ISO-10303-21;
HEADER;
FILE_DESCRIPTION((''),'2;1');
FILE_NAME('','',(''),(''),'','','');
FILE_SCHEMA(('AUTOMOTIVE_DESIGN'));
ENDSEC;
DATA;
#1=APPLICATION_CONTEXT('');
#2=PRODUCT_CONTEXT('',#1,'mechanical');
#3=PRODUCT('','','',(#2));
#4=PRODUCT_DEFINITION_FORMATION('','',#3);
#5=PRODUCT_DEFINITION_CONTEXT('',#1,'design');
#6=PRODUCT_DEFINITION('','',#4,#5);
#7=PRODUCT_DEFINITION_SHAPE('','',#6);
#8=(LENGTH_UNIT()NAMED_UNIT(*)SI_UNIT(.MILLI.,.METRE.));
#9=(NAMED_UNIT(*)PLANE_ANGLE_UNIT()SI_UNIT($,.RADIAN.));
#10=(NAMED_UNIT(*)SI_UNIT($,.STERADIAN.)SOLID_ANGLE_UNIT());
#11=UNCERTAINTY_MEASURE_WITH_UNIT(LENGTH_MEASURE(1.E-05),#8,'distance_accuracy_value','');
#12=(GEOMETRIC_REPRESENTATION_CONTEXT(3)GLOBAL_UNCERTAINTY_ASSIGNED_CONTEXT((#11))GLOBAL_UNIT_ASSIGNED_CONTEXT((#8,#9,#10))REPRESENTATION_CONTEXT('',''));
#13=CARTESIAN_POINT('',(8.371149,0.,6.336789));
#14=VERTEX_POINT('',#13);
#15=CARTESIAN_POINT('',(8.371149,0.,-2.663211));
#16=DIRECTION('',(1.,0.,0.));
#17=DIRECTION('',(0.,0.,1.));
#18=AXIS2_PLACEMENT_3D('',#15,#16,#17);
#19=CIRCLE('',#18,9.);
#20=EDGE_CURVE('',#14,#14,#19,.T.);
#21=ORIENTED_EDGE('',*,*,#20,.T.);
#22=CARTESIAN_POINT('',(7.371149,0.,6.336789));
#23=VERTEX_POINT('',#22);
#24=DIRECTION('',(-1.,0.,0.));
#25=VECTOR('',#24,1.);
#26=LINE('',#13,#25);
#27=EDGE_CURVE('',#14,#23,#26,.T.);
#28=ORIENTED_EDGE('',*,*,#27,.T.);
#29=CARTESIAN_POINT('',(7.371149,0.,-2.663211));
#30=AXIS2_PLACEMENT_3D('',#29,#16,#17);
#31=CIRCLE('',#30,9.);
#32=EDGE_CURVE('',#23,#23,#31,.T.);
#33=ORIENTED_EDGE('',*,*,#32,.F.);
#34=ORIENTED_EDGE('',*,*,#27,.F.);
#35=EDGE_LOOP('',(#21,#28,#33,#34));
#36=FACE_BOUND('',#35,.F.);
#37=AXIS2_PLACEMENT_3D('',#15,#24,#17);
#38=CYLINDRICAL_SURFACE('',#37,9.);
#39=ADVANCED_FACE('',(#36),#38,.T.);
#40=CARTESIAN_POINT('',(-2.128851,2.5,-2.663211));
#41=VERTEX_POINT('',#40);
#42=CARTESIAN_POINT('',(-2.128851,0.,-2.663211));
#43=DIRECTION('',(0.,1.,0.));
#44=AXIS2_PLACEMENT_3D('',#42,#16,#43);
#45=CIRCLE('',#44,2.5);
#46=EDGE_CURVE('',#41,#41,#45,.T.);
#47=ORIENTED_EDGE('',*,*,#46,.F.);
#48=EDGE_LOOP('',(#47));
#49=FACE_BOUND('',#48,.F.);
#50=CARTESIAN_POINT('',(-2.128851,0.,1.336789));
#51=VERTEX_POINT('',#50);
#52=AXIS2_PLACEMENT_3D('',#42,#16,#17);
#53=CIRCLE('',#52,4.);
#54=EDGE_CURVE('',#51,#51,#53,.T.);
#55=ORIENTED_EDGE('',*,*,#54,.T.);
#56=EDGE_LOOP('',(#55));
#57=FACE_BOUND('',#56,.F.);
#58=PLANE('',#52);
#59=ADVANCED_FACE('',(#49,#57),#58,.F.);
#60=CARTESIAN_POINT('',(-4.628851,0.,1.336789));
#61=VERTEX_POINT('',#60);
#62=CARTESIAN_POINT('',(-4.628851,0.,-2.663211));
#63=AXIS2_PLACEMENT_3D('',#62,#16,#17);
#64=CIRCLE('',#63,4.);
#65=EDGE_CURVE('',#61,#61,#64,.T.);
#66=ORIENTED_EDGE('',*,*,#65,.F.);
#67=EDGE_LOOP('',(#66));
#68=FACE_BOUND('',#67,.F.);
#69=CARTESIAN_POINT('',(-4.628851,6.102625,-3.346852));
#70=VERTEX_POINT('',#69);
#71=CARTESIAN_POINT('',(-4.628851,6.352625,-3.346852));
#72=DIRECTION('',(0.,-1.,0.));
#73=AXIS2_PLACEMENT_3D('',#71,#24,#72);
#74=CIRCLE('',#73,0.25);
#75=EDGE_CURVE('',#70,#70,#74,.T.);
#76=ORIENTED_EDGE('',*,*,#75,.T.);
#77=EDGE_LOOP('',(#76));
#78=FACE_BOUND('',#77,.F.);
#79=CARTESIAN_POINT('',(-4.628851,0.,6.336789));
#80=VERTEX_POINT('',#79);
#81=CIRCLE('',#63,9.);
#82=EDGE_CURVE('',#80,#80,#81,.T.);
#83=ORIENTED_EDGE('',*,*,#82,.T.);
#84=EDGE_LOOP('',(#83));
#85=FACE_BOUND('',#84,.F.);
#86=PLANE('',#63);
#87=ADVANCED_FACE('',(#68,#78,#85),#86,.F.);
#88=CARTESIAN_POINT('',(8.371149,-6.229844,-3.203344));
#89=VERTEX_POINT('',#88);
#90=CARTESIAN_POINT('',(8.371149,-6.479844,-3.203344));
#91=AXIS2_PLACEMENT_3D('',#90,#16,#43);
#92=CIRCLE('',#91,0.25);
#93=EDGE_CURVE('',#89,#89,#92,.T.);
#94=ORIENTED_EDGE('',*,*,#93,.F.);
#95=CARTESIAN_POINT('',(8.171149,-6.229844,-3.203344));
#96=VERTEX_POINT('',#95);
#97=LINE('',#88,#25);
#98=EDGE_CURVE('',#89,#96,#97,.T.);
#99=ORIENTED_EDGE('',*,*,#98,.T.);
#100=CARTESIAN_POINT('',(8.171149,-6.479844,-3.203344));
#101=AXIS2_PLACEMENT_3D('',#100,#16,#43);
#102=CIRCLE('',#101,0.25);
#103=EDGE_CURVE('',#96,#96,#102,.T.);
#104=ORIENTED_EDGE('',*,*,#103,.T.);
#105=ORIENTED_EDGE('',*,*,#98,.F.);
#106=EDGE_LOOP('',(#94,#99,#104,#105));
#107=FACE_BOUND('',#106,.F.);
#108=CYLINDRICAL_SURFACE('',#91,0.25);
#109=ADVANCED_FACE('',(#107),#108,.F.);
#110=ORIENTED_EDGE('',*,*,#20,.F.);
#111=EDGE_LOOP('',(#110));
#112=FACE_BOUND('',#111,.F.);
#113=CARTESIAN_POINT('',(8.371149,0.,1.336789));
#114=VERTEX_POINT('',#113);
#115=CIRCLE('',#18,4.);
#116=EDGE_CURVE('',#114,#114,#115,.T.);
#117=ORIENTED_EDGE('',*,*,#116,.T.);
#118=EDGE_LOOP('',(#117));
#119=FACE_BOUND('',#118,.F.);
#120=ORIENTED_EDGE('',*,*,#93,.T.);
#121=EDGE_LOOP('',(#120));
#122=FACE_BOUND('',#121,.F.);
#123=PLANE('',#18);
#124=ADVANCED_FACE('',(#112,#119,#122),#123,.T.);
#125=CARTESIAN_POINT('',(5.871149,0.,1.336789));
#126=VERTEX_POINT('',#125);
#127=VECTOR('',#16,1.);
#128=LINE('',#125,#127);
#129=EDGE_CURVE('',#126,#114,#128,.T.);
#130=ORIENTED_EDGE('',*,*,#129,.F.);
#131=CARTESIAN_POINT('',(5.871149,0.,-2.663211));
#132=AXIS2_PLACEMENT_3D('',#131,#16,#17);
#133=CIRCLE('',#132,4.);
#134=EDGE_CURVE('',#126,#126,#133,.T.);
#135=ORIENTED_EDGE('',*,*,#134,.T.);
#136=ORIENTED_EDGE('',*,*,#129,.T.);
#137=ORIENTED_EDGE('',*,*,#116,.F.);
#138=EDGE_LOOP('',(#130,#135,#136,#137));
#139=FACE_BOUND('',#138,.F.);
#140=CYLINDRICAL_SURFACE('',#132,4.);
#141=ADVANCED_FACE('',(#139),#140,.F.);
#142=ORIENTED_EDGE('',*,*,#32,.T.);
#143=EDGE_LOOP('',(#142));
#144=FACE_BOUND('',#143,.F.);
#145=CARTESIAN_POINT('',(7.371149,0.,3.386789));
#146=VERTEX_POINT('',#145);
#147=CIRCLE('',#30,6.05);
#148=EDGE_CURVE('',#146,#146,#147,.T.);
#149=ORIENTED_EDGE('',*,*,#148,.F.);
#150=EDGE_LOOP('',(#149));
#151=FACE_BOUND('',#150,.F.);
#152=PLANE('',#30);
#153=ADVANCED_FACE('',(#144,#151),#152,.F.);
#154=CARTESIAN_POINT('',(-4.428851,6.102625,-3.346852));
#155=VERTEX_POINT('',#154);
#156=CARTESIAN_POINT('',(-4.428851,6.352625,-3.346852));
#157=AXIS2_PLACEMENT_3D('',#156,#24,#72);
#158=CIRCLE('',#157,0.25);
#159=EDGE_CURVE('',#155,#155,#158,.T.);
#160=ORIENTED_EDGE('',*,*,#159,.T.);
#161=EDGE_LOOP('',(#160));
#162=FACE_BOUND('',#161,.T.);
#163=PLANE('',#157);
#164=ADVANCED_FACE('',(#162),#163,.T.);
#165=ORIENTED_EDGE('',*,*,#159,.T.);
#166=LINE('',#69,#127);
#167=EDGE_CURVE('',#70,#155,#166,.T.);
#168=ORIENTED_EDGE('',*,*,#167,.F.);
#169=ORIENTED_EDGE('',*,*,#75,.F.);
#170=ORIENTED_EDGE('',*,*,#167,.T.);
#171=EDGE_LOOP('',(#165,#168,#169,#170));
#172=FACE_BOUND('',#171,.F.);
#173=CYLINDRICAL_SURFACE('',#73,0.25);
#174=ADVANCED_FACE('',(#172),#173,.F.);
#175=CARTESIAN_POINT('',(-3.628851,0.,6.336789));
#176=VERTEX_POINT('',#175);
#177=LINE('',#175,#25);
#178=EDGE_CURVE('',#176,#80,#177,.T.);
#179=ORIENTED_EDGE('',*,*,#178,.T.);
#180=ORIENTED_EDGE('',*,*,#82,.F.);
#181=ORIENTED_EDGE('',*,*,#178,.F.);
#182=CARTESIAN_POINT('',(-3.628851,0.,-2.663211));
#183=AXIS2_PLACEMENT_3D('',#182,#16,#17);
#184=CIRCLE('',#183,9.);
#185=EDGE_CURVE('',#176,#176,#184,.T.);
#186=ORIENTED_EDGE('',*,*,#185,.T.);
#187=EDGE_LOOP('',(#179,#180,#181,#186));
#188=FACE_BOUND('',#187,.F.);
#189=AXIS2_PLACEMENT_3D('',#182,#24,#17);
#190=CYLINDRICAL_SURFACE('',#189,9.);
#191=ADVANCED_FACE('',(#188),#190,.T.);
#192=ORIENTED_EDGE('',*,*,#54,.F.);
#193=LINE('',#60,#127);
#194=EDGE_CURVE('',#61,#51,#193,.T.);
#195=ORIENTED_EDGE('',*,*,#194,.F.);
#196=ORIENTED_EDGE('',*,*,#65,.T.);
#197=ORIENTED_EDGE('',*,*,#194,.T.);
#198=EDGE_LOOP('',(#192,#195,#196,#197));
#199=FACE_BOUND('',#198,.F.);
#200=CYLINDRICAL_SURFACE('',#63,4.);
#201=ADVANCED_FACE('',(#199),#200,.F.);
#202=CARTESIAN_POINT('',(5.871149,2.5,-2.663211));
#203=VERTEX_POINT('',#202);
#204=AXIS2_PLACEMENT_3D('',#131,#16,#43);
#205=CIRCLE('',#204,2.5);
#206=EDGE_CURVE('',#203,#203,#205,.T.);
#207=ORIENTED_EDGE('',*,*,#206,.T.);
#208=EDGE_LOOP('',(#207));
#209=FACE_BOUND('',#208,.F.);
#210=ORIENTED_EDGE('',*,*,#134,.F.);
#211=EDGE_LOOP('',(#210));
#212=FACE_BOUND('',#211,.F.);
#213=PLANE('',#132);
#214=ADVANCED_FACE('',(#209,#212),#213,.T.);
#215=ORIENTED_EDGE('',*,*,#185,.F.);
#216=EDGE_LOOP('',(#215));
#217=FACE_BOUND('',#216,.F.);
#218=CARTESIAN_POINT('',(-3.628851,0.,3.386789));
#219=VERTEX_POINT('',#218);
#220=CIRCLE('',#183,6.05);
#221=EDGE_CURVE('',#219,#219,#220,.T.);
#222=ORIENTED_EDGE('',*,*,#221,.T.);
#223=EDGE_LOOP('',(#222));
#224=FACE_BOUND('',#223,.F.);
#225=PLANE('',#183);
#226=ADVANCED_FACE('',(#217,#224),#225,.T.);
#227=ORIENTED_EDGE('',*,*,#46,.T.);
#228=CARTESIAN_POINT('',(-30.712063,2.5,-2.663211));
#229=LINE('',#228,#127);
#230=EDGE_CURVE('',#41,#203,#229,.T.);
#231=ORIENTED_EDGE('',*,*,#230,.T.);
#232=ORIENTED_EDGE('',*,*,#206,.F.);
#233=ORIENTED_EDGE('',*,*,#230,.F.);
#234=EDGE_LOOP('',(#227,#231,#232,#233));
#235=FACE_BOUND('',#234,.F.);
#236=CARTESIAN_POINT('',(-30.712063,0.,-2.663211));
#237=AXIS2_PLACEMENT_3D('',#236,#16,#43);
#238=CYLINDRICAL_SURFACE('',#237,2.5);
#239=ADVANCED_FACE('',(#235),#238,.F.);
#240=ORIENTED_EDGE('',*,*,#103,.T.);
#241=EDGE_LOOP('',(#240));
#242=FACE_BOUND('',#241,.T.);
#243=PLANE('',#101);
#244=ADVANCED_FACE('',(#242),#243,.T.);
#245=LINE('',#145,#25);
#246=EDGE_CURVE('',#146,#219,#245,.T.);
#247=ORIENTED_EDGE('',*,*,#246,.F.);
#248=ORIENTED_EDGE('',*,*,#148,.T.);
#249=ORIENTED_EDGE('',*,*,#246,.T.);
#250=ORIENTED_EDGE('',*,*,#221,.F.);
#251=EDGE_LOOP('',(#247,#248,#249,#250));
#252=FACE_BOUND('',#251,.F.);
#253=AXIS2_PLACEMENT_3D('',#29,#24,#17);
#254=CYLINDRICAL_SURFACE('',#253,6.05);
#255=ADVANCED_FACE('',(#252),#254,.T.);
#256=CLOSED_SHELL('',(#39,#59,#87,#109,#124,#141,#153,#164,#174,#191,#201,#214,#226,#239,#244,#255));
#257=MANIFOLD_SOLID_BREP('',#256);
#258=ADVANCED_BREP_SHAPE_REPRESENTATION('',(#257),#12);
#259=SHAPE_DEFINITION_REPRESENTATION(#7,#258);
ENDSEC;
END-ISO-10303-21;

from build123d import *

# Parameters (mm, degrees)
F3_D     = 5
F4_R     = 0.25
F5_DEPTH = 0.2
F6_R     = 0.25
F7_DEPTH = 0.2


with BuildPart() as f1:
    # F0 (on Front) → F1 (revolve)
    with BuildSketch(Plane.XZ):
        Polygon((-3.628851, 6.336789), (-4.628851, 6.336789), (-4.628851, 1.336789), (-2.128851, 1.336789), (-2.128851, -2.663211), (5.871149, -2.663211), (5.871149, 1.336789), (8.371149, 1.336789), (8.371149, 6.336789), (7.371149, 6.336789), (7.371149, 3.386789), (-3.628851, 3.386789), align=None)
    revolve(axis=Axis((1.871149, 0, -2.663211), (1, 0, 0)))

    # F3 (through all)
    with Locations(Plane(origin=(-2.128851, 0, 0), x_dir=(0, -1, 0), z_dir=(-1, 0, 0))):
        with Locations((0, -2.663211)):
            Hole(F3_D / 2)

    # F4 (on face) → F5 (cut)
    with BuildSketch(Plane.YZ.offset(8.371149)):
        with Locations((-6.479844, -3.203344)):
            Circle(F4_R)
    extrude(amount=-F5_DEPTH, mode=Mode.SUBTRACT)

    # F6 (on face) → F7 (cut)
    with BuildSketch(Plane(origin=(-4.628851, 0, 0), x_dir=(0, -1, 0), z_dir=(-1, 0, 0))):
        with Locations((-6.352625, -3.346852)):
            Circle(F6_R)
    extrude(amount=-F7_DEPTH, mode=Mode.SUBTRACT)


solid = f1.part
